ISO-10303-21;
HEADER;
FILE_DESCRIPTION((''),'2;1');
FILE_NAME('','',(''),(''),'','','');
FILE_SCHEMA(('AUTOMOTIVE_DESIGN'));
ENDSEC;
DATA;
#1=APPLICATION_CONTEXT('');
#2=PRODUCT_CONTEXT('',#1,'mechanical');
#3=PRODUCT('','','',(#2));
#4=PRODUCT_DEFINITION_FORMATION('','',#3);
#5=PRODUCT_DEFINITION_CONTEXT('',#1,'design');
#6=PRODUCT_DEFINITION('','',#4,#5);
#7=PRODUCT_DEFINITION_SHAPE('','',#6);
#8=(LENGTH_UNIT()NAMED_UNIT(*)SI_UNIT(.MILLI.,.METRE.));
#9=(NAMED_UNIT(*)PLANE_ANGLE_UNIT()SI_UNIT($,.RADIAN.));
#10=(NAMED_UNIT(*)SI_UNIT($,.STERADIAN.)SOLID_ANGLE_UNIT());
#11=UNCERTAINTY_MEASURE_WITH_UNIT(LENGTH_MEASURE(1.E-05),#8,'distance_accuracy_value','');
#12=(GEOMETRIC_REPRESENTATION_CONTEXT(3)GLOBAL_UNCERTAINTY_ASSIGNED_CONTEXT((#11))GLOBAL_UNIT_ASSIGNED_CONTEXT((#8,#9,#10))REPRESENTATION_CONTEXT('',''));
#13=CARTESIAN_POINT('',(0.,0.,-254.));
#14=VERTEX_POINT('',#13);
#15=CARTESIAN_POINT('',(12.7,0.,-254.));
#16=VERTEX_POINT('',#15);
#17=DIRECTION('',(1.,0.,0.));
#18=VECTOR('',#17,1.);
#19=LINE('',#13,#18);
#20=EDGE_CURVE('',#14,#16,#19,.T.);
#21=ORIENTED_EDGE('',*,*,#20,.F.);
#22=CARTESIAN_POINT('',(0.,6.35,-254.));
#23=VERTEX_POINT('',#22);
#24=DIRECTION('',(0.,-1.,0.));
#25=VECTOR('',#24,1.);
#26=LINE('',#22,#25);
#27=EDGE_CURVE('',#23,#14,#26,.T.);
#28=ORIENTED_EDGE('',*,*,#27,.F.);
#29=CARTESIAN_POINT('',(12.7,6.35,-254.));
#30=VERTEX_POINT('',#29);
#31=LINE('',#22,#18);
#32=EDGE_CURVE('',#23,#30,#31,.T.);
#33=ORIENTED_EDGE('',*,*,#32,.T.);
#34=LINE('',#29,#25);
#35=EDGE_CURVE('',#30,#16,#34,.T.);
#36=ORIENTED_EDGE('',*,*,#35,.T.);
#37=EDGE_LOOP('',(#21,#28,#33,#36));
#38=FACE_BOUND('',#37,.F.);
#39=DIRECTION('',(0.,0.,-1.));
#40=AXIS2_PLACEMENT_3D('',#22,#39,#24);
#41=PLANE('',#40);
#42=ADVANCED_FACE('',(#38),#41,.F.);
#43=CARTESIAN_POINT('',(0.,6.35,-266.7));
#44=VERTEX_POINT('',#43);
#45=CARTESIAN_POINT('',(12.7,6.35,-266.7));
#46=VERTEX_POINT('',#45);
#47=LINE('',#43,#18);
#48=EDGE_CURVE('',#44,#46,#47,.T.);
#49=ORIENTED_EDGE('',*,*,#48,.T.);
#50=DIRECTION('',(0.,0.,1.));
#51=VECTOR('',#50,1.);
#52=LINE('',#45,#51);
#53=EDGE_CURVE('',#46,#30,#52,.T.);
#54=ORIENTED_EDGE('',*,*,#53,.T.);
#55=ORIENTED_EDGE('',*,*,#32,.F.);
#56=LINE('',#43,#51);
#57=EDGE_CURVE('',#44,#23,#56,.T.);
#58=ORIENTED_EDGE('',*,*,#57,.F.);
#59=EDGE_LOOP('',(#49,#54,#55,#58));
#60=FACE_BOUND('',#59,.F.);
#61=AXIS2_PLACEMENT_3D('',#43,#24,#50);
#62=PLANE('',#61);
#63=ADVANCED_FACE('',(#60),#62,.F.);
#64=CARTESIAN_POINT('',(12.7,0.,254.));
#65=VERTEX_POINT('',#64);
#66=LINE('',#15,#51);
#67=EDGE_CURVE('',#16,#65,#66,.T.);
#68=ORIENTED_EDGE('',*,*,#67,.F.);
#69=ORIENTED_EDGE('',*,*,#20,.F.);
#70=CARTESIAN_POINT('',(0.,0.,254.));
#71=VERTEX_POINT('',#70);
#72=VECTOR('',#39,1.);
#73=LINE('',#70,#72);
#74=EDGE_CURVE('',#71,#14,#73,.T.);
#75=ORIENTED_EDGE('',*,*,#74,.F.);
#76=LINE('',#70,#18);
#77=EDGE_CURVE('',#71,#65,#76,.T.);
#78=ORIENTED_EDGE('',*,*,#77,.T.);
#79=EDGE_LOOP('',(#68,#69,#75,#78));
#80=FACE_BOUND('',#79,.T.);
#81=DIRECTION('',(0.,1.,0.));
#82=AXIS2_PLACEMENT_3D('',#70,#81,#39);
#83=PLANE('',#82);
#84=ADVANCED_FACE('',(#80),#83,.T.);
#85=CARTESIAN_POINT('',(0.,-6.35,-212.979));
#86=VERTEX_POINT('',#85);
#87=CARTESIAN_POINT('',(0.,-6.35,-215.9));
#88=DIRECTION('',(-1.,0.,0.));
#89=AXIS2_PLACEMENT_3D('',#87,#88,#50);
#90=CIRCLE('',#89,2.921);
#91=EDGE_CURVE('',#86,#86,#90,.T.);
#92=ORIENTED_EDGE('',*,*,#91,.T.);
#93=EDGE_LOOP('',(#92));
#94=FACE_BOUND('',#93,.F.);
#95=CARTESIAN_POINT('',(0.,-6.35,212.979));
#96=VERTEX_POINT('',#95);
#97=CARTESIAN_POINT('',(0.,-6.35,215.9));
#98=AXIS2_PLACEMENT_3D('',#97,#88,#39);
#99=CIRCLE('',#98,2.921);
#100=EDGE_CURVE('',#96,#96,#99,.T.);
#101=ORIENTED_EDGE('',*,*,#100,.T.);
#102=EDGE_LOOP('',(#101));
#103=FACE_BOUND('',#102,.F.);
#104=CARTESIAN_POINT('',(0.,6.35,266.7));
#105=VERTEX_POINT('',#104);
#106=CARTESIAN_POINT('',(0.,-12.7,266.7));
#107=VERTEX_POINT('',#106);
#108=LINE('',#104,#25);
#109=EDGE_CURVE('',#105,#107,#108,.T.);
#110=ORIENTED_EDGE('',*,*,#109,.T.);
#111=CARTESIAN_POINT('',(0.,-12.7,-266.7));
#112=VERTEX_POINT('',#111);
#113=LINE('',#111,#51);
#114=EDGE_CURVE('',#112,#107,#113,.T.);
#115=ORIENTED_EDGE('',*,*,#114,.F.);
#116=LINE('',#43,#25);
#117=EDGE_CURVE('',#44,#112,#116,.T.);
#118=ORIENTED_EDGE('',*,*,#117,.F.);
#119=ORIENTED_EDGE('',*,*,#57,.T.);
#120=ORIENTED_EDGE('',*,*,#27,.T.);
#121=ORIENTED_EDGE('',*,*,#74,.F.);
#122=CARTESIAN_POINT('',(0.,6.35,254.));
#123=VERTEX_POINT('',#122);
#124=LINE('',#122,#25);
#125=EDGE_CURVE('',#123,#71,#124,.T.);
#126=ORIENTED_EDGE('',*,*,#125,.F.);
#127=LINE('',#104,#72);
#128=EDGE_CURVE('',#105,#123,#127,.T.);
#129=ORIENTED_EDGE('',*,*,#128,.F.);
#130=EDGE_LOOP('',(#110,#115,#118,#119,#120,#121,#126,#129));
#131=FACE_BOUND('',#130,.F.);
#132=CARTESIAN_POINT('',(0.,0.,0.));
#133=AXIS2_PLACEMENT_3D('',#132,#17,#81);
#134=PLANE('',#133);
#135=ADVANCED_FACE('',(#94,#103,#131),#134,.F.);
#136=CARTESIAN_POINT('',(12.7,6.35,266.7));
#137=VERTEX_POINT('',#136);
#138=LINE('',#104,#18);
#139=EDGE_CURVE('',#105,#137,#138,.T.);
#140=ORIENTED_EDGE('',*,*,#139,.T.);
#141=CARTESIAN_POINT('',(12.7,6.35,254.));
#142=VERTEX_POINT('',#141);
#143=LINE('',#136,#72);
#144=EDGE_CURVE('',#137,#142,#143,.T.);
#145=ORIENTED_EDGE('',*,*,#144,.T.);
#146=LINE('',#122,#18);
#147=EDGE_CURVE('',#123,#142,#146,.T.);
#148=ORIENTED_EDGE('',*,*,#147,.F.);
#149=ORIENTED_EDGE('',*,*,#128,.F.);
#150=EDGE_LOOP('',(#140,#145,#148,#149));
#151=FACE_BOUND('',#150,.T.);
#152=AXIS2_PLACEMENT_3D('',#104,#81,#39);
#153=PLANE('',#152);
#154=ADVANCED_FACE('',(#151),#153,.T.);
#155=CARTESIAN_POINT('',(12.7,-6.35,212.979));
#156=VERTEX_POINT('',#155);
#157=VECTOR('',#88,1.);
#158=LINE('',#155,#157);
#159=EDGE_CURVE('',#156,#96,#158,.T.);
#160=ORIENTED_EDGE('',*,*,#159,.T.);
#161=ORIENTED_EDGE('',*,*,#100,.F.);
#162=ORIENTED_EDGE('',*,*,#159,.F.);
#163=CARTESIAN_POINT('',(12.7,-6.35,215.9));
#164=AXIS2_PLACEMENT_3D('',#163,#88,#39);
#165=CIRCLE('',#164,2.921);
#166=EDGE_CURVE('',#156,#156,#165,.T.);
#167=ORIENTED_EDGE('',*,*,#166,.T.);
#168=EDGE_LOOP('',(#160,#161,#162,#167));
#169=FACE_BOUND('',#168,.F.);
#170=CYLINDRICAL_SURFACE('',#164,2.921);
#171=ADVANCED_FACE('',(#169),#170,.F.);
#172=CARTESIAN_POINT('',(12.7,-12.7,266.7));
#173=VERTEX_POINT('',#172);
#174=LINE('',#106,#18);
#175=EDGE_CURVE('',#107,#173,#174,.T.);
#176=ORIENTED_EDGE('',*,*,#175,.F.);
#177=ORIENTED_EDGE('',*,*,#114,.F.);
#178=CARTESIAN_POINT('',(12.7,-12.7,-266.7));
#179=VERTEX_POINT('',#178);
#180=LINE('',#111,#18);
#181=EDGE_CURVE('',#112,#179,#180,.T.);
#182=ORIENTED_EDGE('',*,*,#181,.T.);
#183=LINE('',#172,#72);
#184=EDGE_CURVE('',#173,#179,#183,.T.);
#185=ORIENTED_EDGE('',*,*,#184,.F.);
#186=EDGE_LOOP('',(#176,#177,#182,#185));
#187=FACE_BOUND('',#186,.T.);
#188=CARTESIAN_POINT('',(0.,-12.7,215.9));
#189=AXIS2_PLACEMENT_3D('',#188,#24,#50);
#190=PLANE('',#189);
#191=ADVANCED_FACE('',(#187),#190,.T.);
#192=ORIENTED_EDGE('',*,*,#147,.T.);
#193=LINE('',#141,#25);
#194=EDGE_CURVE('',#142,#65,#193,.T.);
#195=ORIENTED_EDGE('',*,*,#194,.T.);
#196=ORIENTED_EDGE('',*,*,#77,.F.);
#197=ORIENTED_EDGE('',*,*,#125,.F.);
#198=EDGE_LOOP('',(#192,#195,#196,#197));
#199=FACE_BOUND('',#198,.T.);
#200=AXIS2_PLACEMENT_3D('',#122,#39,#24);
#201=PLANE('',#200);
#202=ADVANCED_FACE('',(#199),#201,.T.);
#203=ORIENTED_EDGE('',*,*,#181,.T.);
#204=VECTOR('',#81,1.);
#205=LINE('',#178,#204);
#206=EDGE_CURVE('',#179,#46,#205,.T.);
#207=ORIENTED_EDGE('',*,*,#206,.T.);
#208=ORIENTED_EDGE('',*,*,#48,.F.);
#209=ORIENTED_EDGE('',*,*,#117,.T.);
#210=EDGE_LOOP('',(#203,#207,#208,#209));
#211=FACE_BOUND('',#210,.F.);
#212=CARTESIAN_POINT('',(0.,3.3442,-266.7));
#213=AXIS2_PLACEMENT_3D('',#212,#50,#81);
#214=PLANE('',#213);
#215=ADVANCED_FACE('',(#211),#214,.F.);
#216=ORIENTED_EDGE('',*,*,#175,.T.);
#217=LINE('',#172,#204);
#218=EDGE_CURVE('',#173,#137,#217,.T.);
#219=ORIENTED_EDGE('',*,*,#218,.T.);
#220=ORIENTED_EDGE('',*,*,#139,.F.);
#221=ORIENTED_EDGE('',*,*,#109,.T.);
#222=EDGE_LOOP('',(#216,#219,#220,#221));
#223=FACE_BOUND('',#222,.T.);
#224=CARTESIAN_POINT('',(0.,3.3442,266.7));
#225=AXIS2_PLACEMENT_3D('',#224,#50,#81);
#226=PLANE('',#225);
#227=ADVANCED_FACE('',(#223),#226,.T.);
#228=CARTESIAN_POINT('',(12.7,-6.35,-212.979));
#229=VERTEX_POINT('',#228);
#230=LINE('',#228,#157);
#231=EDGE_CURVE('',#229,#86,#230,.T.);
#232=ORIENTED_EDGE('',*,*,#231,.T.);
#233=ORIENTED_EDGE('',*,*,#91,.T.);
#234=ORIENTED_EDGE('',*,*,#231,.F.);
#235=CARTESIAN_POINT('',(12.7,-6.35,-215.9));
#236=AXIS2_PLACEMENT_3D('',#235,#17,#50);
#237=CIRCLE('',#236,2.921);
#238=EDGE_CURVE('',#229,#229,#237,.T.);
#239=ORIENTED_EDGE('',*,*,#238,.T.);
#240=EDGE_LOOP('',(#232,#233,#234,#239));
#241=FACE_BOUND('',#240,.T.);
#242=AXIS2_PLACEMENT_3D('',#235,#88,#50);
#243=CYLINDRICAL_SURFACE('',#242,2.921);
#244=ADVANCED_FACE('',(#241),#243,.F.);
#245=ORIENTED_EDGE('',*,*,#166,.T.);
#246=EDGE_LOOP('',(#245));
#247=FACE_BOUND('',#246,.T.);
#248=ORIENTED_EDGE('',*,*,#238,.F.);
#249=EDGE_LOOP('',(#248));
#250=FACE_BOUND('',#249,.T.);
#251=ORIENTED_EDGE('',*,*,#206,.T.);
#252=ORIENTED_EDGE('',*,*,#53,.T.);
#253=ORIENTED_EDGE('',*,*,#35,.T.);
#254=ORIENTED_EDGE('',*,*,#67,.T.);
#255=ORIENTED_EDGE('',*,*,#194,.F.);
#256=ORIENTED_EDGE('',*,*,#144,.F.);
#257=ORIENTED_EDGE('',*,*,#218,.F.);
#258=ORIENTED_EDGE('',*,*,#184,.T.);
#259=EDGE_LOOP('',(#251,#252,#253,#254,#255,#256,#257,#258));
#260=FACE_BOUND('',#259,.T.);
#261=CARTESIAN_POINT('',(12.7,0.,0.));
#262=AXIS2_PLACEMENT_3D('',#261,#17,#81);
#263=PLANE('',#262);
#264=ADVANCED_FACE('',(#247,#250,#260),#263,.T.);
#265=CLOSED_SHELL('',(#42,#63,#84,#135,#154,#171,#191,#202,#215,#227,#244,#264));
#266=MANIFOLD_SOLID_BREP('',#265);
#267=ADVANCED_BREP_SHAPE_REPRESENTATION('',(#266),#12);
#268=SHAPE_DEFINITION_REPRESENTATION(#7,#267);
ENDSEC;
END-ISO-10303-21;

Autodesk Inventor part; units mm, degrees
ref_plane "YZ Plane" through (0, 0, 0) normal (1, 0, 0) x (0, 1, 0)
ref_plane "XZ Plane" through (0, 0, 0) normal (0, 1, 0) x (-1, 0, 0)
ref_plane "XY Plane" through (0, 0, 0) normal (0, 0, 1) x (1, 0, 0)
sketch "Sketch1" plane through (0, 0, 0) normal (1, 0, 0) x (0, 1, 0)
  line L0 (3.3442, 266.7) -> (6.35, 266.7)
  line L1 (6.35, 266.7) -> (6.35, 254)
  line L2 (6.35, 254) -> (0, 254)
  line L3 (0, 254) -> (0, 0)
  line L4 (0, 0) -> (-12.7, 0) construction
  line L5 (-12.7, 0) -> (-12.7, 190.5)
  line L6 (-12.7, 215.9) -> (-12.7, 266.7)
  line L7 (3.3442, 266.7) -> (-12.7, 266.7)
  line L8 (3.3442, -266.7) -> (6.35, -266.7)
  line L9 (6.35, -266.7) -> (6.35, -254)
  line L10 (6.35, -254) -> (0, -254)
  line L11 (0, -254) -> (0, 0)
  line L12 (-12.7, 0) -> (-12.7, -190.5)
  line L13 (-12.7, -215.9) -> (-12.7, -266.7)
  line L14 (3.3442, -266.7) -> (-12.7, -266.7)
  line L15 (-12.7, 215.9) -> (-12.7, 190.5)
  line L16 (-12.7, -190.5) -> (-12.7, -215.9)
  dimension "d1" = 12.7
  dimension "d3" = 6.35
  dimension "d4" = 254
  dimension "d5" = 12.7
extrude "Extrusion1" add sketch "Sketch1" along normal blind 12.7
sketch "Sketch4" plane through (12.7, 0, 0) normal (1, 0, 0) x (0, 0, -1)
  circle A0 centre (-215.9, -6.35) radius 2.921
  line L0 (-266.7, 6.35) -> (-266.7, -12.7) projected
  line L1 (254, 0) -> (-254, 0) projected
  point P0 (0, 0)
  dimension "d32" = 5.842
  dimension "d33" = 50.8
  dimension "d34" = 6.35
hole "Hole3" at (12.7, -6.35, 215.9) direction (-1, 0, 0) diameter 5.842 end through all
mirror "Mirror3" about plane through (0, 0, 0) normal (0, 0, 1) of "Hole3"
properties part number "Support GuideRail"
